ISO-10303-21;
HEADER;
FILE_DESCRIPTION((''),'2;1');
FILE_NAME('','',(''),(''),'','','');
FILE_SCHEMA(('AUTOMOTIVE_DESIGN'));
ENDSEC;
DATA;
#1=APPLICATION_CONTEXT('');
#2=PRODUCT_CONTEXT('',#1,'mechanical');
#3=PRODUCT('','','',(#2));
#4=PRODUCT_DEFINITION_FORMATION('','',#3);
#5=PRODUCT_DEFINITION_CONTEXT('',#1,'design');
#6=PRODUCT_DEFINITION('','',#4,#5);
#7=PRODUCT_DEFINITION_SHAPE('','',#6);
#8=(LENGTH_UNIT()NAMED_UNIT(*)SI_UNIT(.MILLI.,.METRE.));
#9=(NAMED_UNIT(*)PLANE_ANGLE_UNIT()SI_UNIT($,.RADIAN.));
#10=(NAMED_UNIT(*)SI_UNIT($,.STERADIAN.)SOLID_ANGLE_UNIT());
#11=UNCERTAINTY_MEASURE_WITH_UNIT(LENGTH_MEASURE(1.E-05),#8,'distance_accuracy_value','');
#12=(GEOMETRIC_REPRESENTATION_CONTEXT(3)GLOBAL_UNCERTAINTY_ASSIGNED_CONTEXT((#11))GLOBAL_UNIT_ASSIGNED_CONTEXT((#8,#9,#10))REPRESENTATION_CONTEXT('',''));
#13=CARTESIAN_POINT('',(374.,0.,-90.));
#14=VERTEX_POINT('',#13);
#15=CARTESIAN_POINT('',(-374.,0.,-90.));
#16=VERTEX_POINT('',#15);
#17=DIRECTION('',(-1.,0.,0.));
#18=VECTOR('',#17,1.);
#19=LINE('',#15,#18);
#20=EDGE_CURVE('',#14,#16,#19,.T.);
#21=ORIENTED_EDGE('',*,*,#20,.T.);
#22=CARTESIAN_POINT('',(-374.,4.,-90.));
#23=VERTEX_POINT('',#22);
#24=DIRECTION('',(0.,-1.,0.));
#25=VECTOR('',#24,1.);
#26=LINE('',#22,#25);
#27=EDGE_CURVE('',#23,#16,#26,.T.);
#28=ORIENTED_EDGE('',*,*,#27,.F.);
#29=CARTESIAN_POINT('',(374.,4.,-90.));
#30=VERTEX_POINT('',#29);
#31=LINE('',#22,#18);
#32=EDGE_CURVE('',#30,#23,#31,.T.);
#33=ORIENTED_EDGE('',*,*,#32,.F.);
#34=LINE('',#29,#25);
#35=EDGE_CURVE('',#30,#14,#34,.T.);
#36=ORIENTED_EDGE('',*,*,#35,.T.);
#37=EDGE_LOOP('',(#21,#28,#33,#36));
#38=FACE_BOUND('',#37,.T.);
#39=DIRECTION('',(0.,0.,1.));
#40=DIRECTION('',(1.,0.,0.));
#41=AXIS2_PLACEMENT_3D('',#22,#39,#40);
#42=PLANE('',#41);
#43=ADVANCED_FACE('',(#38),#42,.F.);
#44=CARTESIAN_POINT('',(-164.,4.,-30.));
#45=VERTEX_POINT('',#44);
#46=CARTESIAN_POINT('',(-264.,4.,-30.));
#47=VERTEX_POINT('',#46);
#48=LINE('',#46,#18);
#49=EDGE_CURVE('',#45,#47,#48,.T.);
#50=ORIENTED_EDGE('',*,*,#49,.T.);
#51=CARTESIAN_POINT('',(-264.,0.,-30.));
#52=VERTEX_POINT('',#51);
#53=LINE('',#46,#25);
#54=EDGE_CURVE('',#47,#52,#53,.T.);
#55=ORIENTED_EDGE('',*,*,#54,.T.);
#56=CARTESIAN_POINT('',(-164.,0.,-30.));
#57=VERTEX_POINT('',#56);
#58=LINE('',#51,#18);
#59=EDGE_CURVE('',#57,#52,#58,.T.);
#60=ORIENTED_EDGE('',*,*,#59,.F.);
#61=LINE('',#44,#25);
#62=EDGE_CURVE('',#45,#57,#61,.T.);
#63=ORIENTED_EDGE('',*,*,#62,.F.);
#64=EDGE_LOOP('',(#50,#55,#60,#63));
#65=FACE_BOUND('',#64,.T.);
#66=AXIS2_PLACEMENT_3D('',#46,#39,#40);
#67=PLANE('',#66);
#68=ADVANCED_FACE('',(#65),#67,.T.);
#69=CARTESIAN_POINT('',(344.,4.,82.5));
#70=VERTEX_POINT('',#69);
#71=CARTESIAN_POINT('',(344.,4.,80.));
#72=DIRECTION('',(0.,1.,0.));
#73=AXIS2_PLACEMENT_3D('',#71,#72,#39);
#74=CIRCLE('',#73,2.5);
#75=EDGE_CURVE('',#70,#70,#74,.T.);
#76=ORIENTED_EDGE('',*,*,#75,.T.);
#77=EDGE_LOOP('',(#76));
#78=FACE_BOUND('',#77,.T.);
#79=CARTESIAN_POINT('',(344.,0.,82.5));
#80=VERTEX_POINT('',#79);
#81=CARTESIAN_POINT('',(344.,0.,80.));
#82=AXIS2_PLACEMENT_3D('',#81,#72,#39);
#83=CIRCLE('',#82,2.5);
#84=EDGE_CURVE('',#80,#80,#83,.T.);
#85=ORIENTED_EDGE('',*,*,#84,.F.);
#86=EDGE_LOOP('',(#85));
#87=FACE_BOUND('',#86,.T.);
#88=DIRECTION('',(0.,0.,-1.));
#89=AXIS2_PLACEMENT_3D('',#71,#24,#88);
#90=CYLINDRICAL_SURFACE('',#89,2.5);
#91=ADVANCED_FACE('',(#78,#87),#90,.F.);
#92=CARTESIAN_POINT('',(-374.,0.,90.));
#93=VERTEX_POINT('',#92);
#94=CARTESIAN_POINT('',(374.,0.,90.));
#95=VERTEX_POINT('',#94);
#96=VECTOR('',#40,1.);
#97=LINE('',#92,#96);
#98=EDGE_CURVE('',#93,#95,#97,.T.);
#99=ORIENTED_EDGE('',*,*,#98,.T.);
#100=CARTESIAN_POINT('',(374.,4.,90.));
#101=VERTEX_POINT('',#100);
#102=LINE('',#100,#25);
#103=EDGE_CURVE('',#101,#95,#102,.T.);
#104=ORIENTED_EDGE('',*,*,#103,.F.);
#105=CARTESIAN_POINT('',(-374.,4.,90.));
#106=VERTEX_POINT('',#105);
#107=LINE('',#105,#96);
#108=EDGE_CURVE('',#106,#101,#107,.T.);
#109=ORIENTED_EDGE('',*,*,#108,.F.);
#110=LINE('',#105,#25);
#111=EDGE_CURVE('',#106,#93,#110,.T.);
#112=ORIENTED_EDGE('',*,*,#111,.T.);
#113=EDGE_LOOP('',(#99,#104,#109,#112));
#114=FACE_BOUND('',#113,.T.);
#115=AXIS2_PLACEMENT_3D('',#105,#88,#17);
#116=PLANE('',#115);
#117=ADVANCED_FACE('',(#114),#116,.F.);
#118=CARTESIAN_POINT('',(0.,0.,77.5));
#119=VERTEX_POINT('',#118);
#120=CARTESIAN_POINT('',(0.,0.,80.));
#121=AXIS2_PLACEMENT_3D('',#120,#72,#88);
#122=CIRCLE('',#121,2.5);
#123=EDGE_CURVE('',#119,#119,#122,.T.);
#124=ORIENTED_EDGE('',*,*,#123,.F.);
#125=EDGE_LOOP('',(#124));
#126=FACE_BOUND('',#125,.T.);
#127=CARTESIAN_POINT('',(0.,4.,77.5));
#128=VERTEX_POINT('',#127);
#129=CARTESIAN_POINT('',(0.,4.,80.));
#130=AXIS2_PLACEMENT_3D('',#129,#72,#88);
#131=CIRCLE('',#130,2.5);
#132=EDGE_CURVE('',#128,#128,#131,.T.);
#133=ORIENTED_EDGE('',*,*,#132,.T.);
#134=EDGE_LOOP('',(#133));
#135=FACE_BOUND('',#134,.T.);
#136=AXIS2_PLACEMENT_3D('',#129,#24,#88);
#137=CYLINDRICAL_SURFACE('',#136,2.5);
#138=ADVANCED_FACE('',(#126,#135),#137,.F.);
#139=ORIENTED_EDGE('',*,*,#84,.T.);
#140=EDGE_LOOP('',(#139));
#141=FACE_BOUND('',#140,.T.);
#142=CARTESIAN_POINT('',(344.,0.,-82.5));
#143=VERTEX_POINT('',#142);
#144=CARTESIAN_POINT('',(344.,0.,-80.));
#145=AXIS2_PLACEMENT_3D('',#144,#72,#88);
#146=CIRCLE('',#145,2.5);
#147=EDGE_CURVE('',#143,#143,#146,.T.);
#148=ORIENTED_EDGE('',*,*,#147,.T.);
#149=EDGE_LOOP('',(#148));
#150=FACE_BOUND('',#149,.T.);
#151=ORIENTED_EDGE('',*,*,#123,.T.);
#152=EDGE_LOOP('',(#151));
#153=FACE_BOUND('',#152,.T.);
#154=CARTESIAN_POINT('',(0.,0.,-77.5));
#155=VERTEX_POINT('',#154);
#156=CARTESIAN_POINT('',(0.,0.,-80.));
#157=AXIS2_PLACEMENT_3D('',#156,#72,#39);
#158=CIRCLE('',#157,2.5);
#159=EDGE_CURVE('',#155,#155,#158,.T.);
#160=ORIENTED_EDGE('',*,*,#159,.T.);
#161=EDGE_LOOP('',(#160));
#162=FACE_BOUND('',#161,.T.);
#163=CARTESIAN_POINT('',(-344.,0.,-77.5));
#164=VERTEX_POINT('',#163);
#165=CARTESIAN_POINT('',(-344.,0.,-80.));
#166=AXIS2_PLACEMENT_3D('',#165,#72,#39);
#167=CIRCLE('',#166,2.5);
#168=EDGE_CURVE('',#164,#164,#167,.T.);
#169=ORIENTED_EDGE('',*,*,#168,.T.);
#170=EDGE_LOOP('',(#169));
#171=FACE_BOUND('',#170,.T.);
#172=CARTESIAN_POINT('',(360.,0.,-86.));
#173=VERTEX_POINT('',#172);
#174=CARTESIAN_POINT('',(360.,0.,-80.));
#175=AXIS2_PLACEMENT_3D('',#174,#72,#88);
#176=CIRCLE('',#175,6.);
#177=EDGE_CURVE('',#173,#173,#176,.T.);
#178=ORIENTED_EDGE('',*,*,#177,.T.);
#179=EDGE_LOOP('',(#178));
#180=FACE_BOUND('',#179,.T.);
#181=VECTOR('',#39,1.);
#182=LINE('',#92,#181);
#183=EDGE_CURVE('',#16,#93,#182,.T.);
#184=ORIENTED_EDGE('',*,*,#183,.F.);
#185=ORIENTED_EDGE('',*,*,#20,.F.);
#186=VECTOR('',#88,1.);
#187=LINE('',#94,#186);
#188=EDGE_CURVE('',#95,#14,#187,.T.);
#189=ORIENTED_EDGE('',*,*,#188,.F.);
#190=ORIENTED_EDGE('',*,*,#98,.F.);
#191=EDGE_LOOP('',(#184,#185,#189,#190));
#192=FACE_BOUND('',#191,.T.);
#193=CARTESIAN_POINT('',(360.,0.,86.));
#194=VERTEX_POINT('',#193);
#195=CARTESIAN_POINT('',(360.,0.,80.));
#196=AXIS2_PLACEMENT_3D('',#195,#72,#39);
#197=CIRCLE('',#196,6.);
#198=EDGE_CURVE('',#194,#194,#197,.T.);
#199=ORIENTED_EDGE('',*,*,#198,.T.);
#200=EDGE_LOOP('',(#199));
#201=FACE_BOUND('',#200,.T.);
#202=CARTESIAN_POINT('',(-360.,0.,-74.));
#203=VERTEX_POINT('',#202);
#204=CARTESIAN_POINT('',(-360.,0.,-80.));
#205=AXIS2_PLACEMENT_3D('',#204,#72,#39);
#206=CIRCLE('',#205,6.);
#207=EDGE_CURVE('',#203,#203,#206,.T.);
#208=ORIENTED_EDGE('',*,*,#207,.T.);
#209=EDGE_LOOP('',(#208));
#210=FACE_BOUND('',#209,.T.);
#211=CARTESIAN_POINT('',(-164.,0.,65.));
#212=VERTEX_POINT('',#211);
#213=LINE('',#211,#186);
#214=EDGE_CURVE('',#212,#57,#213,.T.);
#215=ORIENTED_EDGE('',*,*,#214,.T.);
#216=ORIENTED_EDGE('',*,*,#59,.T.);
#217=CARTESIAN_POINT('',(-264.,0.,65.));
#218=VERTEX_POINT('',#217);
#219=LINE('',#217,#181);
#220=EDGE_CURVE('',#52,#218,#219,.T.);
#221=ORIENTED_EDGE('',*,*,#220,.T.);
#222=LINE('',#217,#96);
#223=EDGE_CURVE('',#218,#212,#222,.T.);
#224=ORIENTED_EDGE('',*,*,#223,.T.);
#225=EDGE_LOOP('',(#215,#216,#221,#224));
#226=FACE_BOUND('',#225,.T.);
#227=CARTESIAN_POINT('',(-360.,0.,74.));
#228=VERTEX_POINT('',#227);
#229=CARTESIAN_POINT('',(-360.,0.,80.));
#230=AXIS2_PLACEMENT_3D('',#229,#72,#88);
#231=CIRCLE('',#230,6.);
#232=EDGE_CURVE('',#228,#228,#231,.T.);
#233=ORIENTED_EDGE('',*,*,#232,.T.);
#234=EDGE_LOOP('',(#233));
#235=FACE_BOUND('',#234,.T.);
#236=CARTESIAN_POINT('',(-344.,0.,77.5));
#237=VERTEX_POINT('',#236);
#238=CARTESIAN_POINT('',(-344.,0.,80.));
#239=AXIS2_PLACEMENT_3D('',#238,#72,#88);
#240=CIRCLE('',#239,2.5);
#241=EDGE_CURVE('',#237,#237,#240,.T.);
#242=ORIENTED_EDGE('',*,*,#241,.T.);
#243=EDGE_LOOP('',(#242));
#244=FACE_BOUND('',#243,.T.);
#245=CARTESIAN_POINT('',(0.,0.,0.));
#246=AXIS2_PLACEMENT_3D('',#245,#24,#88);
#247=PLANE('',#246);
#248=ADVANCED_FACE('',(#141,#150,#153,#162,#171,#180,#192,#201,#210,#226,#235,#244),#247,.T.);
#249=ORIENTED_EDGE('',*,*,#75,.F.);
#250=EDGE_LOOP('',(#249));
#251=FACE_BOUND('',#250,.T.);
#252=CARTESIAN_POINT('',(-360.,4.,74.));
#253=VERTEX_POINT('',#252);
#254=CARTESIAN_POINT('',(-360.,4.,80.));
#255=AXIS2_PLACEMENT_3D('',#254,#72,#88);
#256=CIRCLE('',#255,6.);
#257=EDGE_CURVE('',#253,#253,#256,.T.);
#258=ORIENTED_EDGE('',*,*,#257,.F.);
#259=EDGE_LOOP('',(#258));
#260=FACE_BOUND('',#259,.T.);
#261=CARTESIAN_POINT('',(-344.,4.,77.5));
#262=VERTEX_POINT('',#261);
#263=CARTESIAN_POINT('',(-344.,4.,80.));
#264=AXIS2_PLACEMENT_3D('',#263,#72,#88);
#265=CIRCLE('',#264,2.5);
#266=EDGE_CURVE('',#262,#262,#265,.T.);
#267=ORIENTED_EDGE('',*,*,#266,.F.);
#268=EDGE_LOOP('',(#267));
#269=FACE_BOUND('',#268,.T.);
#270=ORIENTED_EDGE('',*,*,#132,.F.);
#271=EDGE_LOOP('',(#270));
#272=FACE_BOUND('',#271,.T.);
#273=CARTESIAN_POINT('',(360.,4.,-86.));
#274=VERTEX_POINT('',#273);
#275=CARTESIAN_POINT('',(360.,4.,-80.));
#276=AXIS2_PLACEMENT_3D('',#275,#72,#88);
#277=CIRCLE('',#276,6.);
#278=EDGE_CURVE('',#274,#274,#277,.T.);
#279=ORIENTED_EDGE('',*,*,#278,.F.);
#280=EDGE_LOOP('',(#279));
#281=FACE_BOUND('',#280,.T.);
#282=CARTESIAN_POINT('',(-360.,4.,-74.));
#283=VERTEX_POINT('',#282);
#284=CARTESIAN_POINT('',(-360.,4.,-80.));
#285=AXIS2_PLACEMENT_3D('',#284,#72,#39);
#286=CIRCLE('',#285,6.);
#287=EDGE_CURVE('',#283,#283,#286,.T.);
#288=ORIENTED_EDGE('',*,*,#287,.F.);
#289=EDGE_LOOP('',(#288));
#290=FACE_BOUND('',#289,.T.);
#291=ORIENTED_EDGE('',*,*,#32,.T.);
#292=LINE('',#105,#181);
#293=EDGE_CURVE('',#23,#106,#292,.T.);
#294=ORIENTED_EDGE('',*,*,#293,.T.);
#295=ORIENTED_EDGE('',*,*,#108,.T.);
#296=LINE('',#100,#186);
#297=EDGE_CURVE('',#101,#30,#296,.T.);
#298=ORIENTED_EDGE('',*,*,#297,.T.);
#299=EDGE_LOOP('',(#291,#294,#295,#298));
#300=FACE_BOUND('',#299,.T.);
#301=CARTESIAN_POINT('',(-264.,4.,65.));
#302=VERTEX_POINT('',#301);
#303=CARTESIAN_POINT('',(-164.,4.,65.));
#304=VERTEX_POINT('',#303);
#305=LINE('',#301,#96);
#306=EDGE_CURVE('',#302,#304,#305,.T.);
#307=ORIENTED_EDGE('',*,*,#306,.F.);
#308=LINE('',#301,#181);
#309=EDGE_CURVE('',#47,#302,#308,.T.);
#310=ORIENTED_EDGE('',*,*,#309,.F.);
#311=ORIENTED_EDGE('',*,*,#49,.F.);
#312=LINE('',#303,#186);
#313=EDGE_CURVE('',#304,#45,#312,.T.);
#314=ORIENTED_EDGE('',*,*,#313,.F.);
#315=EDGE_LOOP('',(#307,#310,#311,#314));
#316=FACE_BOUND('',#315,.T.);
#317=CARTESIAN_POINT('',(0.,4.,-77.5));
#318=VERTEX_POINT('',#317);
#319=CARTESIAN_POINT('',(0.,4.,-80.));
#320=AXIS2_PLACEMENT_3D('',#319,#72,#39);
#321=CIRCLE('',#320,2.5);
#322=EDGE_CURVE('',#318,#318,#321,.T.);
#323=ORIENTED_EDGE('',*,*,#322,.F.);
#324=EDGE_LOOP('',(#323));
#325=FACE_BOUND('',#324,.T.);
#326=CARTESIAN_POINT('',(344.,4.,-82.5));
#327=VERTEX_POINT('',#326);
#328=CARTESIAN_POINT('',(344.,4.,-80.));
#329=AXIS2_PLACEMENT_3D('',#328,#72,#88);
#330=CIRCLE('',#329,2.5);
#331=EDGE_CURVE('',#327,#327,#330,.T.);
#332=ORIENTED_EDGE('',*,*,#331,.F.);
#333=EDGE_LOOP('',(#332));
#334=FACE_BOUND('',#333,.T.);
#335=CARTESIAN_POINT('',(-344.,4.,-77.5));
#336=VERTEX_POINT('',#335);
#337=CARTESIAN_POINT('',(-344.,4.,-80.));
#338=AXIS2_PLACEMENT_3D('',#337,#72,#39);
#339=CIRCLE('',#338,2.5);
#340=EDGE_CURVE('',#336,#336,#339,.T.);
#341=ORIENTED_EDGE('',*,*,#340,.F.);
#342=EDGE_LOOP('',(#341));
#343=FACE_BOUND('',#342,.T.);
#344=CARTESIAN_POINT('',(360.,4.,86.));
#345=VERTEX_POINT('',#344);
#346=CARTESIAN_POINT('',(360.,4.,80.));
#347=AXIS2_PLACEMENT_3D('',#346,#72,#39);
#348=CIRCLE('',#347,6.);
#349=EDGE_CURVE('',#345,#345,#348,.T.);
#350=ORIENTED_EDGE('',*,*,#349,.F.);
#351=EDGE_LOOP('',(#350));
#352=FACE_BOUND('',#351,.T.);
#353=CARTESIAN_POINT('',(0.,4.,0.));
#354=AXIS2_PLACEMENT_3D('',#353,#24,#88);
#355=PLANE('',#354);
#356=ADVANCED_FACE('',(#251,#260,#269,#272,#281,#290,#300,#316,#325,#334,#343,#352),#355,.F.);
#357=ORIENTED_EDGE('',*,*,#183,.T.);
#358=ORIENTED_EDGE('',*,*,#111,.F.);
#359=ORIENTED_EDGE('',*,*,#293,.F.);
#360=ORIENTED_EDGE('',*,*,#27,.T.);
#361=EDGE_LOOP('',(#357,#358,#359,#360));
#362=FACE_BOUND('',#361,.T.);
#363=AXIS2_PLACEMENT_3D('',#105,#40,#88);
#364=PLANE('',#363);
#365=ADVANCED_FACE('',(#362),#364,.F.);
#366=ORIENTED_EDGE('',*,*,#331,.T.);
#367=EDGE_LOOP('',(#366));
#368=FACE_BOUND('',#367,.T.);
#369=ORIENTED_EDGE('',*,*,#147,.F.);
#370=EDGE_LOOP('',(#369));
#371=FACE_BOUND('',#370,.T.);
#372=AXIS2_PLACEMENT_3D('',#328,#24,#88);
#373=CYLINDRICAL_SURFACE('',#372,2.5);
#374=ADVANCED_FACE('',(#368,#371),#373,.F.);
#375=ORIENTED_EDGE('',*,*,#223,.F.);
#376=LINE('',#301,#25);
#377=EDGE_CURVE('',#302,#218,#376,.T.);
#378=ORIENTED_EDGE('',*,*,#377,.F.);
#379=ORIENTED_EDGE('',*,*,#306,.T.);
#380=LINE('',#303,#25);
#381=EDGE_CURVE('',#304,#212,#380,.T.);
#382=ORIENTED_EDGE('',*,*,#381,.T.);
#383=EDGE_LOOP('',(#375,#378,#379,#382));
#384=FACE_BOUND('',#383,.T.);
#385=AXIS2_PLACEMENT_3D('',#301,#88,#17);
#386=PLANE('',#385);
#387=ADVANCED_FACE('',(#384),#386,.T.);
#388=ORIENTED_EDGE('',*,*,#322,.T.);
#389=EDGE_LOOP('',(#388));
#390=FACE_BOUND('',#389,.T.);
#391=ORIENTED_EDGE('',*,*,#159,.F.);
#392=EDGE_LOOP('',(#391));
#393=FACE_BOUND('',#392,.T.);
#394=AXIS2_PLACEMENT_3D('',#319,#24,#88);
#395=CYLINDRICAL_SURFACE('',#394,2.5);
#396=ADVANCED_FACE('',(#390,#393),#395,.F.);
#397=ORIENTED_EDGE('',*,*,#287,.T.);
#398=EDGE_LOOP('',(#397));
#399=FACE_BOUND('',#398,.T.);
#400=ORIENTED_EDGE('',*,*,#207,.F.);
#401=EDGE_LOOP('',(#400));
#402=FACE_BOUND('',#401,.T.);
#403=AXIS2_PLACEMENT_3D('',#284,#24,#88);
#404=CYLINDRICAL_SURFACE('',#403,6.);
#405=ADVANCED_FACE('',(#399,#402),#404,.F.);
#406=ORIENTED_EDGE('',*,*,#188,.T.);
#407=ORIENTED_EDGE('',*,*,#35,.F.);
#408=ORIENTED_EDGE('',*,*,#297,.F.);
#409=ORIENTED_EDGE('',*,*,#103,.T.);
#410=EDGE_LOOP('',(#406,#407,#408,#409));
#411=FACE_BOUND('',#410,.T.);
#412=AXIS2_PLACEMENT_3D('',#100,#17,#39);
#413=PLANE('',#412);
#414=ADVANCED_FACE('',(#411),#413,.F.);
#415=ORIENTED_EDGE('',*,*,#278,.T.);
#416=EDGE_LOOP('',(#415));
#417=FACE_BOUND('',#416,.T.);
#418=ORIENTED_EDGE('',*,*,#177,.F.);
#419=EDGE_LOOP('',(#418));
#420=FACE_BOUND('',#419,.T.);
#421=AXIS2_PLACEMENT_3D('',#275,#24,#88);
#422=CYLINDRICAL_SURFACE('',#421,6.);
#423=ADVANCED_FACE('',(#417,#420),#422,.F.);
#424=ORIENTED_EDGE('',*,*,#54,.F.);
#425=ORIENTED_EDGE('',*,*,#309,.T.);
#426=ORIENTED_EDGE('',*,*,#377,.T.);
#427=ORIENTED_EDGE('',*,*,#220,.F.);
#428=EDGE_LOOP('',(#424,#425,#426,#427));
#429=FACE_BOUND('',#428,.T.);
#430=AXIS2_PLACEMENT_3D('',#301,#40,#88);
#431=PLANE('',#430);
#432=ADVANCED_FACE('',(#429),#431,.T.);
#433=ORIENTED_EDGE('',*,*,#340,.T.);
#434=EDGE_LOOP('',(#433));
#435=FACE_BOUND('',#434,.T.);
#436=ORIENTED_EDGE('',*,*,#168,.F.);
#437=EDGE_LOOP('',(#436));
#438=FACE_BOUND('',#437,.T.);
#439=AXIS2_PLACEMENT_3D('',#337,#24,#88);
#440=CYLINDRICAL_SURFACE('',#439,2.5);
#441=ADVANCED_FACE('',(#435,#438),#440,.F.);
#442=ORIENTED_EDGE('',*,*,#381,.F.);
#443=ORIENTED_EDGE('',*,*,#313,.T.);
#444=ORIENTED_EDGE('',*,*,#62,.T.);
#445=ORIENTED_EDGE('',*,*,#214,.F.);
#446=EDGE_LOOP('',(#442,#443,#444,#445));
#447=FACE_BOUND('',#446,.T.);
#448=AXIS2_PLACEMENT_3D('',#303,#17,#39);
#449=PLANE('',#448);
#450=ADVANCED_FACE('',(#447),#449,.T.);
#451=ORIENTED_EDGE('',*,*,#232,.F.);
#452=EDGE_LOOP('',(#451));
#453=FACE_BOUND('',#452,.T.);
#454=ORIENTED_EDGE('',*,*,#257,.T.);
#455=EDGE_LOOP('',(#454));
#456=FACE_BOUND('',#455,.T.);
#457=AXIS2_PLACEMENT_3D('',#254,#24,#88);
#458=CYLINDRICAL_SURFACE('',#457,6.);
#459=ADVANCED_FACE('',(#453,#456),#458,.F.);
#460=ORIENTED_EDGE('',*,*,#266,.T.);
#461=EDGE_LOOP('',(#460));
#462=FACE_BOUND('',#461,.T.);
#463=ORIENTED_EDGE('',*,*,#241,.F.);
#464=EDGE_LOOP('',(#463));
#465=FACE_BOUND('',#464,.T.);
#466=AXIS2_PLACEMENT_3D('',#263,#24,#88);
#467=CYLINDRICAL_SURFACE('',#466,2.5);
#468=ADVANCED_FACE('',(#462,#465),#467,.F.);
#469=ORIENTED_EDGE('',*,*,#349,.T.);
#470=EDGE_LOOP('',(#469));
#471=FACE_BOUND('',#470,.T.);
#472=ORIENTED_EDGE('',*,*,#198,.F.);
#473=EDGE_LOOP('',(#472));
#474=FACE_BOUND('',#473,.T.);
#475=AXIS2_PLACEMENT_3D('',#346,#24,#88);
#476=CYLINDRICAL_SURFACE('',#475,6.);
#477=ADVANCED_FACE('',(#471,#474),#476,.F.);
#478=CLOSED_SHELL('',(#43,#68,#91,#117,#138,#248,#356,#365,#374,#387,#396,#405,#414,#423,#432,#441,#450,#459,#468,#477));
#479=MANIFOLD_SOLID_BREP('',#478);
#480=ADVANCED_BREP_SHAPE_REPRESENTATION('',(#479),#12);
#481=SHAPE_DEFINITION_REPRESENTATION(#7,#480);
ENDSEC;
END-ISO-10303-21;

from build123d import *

# Parameters (mm, degrees)
SKETCH1_W           = 748
SKETCH1_H           = 180
SKETCH1_R           = 2.5
SKETCH1_R_2         = 6
SKETCH1_W_2         = 100
SKETCH1_H_2         = 95
BOSS_EXTRUDE1_DEPTH = 4


with BuildPart() as part:
    # Sketch1 → Boss-Extrude1 (new body)
    with BuildSketch(Plane(origin=(0, 0, 0), x_dir=(1, 0, 0), z_dir=(0, 1, 0))):
        Rectangle(SKETCH1_W, SKETCH1_H)
        with Locations((-344, 80)):
            Circle(SKETCH1_R, mode=Mode.SUBTRACT)
        with Locations((0, 80)):
            Circle(SKETCH1_R, mode=Mode.SUBTRACT)
        with Locations((344, 80)):
            Circle(SKETCH1_R, mode=Mode.SUBTRACT)
        with Locations((-344, -80)):
            Circle(SKETCH1_R, mode=Mode.SUBTRACT)
        with Locations((0, -80)):
            Circle(SKETCH1_R, mode=Mode.SUBTRACT)
        with Locations((344, -80)):
            Circle(SKETCH1_R, mode=Mode.SUBTRACT)
        with Locations((-360, 80)):
            Circle(SKETCH1_R_2, mode=Mode.SUBTRACT)
        with Locations((-360, -80)):
            Circle(SKETCH1_R_2, mode=Mode.SUBTRACT)
        with Locations((360, -80)):
            Circle(SKETCH1_R_2, mode=Mode.SUBTRACT)
        with Locations((360, 80)):
            Circle(SKETCH1_R_2, mode=Mode.SUBTRACT)
        with Locations((-214, -17.5)):
            Rectangle(SKETCH1_W_2, SKETCH1_H_2, mode=Mode.SUBTRACT)
    extrude(amount=BOSS_EXTRUDE1_DEPTH)


solid = part.part
